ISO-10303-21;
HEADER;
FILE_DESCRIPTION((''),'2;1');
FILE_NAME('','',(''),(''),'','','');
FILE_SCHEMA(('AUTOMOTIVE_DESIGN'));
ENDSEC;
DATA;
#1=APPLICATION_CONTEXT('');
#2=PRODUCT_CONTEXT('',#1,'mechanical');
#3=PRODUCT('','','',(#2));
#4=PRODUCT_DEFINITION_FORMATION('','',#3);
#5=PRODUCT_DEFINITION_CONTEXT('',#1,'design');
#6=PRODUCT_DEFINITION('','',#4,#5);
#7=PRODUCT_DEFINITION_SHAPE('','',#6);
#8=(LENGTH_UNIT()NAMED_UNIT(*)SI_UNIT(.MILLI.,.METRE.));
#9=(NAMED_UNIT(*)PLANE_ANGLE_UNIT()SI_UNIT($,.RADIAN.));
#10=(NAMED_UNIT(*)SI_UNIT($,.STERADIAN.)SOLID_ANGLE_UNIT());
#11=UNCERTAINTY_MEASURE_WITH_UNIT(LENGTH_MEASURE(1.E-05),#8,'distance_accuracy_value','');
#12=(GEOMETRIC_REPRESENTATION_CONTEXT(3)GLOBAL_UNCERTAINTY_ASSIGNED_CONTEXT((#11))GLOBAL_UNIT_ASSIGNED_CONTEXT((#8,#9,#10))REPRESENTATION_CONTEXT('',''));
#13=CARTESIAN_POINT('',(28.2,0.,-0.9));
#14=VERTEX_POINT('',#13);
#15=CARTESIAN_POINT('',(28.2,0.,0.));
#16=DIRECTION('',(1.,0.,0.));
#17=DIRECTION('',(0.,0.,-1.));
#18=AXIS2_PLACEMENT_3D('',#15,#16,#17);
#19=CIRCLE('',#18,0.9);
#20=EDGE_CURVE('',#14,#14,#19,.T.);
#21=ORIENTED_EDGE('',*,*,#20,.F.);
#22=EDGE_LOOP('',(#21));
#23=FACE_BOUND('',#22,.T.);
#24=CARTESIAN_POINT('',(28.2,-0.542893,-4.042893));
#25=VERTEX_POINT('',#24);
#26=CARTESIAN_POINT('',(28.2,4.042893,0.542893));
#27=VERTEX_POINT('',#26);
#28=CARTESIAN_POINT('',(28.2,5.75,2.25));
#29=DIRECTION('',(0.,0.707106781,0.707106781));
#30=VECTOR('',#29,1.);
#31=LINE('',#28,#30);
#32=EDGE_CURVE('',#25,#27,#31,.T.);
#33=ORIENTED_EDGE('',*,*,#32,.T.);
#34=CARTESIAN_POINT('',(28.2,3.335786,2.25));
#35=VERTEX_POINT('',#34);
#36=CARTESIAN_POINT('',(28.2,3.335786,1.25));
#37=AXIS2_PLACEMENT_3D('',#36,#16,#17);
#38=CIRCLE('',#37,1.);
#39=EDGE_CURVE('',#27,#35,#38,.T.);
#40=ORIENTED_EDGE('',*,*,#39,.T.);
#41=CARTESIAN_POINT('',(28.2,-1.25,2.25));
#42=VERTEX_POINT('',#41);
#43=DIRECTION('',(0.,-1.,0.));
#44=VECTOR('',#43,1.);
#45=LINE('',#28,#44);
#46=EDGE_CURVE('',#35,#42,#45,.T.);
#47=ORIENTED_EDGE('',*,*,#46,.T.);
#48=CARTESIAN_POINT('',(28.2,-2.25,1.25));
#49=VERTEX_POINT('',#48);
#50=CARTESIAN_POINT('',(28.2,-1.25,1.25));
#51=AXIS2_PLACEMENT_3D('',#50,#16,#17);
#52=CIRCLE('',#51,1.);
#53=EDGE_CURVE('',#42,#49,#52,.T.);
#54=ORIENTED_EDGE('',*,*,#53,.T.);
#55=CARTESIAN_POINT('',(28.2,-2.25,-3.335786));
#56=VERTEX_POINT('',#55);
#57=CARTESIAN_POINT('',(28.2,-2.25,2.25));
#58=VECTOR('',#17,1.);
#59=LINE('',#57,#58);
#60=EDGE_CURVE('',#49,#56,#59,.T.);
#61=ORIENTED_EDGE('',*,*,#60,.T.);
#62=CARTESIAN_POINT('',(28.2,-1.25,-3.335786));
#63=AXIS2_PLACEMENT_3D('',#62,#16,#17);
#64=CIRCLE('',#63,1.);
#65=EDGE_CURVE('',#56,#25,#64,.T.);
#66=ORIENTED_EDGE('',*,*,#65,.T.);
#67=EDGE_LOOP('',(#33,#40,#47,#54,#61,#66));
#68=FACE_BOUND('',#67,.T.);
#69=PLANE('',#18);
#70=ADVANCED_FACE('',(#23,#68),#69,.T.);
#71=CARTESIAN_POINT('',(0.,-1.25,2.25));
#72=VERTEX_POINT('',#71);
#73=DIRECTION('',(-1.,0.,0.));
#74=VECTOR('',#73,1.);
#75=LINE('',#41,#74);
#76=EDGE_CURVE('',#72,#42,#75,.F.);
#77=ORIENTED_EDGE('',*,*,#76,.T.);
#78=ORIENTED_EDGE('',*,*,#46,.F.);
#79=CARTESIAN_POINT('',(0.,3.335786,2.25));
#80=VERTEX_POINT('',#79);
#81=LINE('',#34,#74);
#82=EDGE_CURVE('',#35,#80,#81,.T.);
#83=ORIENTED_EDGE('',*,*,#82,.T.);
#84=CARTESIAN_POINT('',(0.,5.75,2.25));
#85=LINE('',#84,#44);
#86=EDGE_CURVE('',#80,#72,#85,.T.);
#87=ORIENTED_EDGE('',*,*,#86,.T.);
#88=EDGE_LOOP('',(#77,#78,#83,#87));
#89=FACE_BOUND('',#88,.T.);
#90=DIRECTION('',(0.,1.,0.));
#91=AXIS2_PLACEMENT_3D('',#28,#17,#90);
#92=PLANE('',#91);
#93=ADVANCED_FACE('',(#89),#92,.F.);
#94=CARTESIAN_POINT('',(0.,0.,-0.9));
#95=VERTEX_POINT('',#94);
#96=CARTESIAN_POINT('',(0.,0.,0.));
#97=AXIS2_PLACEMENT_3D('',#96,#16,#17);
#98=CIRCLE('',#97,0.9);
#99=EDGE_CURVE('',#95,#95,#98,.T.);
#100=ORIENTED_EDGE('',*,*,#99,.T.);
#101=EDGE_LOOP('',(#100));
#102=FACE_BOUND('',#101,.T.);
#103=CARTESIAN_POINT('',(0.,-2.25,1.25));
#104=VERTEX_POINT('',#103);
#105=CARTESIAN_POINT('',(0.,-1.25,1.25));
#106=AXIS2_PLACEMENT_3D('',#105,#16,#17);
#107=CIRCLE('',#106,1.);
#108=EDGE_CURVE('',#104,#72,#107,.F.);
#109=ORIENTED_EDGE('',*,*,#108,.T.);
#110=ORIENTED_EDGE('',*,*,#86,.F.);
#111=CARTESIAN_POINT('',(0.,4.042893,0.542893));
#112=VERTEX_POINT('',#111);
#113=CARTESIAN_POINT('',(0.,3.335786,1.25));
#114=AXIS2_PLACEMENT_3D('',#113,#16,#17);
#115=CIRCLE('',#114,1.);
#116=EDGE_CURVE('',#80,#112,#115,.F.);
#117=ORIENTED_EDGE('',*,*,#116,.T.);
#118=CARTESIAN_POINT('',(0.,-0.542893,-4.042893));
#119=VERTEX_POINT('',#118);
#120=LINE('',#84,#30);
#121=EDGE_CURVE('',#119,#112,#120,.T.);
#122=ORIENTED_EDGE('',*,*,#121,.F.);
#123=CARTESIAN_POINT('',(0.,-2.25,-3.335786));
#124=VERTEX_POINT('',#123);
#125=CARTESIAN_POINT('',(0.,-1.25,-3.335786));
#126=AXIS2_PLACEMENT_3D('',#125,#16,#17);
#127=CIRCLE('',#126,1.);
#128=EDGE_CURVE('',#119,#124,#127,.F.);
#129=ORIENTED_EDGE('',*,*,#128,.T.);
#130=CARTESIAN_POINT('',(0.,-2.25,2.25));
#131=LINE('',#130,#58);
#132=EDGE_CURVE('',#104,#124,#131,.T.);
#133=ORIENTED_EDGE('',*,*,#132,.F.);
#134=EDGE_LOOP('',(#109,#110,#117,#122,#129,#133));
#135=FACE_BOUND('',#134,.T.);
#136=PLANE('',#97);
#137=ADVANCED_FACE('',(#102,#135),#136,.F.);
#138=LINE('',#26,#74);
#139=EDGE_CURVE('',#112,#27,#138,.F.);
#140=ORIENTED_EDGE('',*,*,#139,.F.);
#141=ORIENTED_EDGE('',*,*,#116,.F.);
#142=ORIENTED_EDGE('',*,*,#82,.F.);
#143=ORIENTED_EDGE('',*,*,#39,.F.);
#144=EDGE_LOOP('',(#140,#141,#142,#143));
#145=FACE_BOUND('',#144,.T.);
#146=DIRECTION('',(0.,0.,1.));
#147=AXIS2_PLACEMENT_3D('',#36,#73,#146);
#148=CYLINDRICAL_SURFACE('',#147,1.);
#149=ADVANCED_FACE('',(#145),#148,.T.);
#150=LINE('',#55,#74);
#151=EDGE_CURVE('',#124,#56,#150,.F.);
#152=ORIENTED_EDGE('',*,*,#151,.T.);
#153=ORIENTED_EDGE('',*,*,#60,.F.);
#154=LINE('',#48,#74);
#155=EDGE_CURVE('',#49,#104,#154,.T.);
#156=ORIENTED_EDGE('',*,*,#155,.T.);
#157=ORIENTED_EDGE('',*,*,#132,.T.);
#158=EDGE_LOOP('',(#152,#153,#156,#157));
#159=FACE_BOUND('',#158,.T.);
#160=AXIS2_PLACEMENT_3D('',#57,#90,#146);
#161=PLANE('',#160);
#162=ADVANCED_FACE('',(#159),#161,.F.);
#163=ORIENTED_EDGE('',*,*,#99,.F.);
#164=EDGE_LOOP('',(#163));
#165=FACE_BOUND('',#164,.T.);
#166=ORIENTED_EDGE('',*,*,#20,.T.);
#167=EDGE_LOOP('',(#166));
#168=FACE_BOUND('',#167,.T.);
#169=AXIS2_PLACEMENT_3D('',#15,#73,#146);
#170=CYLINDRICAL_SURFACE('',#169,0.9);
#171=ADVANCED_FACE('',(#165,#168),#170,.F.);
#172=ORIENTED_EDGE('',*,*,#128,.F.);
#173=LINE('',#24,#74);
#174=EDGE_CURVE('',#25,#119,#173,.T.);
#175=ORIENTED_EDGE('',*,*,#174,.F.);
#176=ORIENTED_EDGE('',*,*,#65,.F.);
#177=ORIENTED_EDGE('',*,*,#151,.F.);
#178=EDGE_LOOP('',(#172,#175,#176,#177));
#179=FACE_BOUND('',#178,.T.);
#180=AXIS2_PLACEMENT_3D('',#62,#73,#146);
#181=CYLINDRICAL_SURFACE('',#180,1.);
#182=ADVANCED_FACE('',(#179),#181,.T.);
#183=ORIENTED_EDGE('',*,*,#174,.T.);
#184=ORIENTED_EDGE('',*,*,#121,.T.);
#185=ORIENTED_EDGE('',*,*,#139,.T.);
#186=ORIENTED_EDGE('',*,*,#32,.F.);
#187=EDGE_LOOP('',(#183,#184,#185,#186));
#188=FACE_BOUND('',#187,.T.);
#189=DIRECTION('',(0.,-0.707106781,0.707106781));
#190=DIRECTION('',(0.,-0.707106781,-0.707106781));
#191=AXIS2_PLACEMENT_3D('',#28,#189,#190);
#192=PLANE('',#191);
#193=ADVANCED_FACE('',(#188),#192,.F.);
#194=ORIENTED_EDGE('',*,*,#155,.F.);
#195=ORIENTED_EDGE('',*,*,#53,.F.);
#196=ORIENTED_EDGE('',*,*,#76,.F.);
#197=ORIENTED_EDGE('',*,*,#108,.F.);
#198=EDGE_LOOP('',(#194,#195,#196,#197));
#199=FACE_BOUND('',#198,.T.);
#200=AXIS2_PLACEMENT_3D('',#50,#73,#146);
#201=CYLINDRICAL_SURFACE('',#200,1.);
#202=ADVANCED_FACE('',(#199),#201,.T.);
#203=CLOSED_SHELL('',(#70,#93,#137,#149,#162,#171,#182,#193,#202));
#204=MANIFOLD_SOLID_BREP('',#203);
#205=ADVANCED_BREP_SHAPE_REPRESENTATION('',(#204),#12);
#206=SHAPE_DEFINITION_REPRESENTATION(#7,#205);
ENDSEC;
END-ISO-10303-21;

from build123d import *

# Parameters (mm, degrees)
SKETCH1_R           = 0.9
BOSS_EXTRUDE1_DEPTH = 28.2
FILLET1_R           = 1


with BuildPart() as part:
    # Sketch1 → Boss-Extrude1 (new body)
    with BuildSketch(Plane(origin=(0, 0, 0), x_dir=(0, 0, -1), z_dir=(1, 0, 0))):
        Polygon((-2.25, 5.75), (-2.25, -2.25), (5.75, -2.25), align=None)
        Circle(SKETCH1_R, mode=Mode.SUBTRACT)
    extrude(amount=BOSS_EXTRUDE1_DEPTH)

    # Fillet1
    fillet1_edges = [part.edges().sort_by_distance(p)[0] for p in [
        (14.1, -2.25, -5.75),
        (14.1, -2.25, 2.25),
        (14.1, 5.75, 2.25),
    ]]
    fillet(fillet1_edges, radius=FILLET1_R)


solid = part.part
